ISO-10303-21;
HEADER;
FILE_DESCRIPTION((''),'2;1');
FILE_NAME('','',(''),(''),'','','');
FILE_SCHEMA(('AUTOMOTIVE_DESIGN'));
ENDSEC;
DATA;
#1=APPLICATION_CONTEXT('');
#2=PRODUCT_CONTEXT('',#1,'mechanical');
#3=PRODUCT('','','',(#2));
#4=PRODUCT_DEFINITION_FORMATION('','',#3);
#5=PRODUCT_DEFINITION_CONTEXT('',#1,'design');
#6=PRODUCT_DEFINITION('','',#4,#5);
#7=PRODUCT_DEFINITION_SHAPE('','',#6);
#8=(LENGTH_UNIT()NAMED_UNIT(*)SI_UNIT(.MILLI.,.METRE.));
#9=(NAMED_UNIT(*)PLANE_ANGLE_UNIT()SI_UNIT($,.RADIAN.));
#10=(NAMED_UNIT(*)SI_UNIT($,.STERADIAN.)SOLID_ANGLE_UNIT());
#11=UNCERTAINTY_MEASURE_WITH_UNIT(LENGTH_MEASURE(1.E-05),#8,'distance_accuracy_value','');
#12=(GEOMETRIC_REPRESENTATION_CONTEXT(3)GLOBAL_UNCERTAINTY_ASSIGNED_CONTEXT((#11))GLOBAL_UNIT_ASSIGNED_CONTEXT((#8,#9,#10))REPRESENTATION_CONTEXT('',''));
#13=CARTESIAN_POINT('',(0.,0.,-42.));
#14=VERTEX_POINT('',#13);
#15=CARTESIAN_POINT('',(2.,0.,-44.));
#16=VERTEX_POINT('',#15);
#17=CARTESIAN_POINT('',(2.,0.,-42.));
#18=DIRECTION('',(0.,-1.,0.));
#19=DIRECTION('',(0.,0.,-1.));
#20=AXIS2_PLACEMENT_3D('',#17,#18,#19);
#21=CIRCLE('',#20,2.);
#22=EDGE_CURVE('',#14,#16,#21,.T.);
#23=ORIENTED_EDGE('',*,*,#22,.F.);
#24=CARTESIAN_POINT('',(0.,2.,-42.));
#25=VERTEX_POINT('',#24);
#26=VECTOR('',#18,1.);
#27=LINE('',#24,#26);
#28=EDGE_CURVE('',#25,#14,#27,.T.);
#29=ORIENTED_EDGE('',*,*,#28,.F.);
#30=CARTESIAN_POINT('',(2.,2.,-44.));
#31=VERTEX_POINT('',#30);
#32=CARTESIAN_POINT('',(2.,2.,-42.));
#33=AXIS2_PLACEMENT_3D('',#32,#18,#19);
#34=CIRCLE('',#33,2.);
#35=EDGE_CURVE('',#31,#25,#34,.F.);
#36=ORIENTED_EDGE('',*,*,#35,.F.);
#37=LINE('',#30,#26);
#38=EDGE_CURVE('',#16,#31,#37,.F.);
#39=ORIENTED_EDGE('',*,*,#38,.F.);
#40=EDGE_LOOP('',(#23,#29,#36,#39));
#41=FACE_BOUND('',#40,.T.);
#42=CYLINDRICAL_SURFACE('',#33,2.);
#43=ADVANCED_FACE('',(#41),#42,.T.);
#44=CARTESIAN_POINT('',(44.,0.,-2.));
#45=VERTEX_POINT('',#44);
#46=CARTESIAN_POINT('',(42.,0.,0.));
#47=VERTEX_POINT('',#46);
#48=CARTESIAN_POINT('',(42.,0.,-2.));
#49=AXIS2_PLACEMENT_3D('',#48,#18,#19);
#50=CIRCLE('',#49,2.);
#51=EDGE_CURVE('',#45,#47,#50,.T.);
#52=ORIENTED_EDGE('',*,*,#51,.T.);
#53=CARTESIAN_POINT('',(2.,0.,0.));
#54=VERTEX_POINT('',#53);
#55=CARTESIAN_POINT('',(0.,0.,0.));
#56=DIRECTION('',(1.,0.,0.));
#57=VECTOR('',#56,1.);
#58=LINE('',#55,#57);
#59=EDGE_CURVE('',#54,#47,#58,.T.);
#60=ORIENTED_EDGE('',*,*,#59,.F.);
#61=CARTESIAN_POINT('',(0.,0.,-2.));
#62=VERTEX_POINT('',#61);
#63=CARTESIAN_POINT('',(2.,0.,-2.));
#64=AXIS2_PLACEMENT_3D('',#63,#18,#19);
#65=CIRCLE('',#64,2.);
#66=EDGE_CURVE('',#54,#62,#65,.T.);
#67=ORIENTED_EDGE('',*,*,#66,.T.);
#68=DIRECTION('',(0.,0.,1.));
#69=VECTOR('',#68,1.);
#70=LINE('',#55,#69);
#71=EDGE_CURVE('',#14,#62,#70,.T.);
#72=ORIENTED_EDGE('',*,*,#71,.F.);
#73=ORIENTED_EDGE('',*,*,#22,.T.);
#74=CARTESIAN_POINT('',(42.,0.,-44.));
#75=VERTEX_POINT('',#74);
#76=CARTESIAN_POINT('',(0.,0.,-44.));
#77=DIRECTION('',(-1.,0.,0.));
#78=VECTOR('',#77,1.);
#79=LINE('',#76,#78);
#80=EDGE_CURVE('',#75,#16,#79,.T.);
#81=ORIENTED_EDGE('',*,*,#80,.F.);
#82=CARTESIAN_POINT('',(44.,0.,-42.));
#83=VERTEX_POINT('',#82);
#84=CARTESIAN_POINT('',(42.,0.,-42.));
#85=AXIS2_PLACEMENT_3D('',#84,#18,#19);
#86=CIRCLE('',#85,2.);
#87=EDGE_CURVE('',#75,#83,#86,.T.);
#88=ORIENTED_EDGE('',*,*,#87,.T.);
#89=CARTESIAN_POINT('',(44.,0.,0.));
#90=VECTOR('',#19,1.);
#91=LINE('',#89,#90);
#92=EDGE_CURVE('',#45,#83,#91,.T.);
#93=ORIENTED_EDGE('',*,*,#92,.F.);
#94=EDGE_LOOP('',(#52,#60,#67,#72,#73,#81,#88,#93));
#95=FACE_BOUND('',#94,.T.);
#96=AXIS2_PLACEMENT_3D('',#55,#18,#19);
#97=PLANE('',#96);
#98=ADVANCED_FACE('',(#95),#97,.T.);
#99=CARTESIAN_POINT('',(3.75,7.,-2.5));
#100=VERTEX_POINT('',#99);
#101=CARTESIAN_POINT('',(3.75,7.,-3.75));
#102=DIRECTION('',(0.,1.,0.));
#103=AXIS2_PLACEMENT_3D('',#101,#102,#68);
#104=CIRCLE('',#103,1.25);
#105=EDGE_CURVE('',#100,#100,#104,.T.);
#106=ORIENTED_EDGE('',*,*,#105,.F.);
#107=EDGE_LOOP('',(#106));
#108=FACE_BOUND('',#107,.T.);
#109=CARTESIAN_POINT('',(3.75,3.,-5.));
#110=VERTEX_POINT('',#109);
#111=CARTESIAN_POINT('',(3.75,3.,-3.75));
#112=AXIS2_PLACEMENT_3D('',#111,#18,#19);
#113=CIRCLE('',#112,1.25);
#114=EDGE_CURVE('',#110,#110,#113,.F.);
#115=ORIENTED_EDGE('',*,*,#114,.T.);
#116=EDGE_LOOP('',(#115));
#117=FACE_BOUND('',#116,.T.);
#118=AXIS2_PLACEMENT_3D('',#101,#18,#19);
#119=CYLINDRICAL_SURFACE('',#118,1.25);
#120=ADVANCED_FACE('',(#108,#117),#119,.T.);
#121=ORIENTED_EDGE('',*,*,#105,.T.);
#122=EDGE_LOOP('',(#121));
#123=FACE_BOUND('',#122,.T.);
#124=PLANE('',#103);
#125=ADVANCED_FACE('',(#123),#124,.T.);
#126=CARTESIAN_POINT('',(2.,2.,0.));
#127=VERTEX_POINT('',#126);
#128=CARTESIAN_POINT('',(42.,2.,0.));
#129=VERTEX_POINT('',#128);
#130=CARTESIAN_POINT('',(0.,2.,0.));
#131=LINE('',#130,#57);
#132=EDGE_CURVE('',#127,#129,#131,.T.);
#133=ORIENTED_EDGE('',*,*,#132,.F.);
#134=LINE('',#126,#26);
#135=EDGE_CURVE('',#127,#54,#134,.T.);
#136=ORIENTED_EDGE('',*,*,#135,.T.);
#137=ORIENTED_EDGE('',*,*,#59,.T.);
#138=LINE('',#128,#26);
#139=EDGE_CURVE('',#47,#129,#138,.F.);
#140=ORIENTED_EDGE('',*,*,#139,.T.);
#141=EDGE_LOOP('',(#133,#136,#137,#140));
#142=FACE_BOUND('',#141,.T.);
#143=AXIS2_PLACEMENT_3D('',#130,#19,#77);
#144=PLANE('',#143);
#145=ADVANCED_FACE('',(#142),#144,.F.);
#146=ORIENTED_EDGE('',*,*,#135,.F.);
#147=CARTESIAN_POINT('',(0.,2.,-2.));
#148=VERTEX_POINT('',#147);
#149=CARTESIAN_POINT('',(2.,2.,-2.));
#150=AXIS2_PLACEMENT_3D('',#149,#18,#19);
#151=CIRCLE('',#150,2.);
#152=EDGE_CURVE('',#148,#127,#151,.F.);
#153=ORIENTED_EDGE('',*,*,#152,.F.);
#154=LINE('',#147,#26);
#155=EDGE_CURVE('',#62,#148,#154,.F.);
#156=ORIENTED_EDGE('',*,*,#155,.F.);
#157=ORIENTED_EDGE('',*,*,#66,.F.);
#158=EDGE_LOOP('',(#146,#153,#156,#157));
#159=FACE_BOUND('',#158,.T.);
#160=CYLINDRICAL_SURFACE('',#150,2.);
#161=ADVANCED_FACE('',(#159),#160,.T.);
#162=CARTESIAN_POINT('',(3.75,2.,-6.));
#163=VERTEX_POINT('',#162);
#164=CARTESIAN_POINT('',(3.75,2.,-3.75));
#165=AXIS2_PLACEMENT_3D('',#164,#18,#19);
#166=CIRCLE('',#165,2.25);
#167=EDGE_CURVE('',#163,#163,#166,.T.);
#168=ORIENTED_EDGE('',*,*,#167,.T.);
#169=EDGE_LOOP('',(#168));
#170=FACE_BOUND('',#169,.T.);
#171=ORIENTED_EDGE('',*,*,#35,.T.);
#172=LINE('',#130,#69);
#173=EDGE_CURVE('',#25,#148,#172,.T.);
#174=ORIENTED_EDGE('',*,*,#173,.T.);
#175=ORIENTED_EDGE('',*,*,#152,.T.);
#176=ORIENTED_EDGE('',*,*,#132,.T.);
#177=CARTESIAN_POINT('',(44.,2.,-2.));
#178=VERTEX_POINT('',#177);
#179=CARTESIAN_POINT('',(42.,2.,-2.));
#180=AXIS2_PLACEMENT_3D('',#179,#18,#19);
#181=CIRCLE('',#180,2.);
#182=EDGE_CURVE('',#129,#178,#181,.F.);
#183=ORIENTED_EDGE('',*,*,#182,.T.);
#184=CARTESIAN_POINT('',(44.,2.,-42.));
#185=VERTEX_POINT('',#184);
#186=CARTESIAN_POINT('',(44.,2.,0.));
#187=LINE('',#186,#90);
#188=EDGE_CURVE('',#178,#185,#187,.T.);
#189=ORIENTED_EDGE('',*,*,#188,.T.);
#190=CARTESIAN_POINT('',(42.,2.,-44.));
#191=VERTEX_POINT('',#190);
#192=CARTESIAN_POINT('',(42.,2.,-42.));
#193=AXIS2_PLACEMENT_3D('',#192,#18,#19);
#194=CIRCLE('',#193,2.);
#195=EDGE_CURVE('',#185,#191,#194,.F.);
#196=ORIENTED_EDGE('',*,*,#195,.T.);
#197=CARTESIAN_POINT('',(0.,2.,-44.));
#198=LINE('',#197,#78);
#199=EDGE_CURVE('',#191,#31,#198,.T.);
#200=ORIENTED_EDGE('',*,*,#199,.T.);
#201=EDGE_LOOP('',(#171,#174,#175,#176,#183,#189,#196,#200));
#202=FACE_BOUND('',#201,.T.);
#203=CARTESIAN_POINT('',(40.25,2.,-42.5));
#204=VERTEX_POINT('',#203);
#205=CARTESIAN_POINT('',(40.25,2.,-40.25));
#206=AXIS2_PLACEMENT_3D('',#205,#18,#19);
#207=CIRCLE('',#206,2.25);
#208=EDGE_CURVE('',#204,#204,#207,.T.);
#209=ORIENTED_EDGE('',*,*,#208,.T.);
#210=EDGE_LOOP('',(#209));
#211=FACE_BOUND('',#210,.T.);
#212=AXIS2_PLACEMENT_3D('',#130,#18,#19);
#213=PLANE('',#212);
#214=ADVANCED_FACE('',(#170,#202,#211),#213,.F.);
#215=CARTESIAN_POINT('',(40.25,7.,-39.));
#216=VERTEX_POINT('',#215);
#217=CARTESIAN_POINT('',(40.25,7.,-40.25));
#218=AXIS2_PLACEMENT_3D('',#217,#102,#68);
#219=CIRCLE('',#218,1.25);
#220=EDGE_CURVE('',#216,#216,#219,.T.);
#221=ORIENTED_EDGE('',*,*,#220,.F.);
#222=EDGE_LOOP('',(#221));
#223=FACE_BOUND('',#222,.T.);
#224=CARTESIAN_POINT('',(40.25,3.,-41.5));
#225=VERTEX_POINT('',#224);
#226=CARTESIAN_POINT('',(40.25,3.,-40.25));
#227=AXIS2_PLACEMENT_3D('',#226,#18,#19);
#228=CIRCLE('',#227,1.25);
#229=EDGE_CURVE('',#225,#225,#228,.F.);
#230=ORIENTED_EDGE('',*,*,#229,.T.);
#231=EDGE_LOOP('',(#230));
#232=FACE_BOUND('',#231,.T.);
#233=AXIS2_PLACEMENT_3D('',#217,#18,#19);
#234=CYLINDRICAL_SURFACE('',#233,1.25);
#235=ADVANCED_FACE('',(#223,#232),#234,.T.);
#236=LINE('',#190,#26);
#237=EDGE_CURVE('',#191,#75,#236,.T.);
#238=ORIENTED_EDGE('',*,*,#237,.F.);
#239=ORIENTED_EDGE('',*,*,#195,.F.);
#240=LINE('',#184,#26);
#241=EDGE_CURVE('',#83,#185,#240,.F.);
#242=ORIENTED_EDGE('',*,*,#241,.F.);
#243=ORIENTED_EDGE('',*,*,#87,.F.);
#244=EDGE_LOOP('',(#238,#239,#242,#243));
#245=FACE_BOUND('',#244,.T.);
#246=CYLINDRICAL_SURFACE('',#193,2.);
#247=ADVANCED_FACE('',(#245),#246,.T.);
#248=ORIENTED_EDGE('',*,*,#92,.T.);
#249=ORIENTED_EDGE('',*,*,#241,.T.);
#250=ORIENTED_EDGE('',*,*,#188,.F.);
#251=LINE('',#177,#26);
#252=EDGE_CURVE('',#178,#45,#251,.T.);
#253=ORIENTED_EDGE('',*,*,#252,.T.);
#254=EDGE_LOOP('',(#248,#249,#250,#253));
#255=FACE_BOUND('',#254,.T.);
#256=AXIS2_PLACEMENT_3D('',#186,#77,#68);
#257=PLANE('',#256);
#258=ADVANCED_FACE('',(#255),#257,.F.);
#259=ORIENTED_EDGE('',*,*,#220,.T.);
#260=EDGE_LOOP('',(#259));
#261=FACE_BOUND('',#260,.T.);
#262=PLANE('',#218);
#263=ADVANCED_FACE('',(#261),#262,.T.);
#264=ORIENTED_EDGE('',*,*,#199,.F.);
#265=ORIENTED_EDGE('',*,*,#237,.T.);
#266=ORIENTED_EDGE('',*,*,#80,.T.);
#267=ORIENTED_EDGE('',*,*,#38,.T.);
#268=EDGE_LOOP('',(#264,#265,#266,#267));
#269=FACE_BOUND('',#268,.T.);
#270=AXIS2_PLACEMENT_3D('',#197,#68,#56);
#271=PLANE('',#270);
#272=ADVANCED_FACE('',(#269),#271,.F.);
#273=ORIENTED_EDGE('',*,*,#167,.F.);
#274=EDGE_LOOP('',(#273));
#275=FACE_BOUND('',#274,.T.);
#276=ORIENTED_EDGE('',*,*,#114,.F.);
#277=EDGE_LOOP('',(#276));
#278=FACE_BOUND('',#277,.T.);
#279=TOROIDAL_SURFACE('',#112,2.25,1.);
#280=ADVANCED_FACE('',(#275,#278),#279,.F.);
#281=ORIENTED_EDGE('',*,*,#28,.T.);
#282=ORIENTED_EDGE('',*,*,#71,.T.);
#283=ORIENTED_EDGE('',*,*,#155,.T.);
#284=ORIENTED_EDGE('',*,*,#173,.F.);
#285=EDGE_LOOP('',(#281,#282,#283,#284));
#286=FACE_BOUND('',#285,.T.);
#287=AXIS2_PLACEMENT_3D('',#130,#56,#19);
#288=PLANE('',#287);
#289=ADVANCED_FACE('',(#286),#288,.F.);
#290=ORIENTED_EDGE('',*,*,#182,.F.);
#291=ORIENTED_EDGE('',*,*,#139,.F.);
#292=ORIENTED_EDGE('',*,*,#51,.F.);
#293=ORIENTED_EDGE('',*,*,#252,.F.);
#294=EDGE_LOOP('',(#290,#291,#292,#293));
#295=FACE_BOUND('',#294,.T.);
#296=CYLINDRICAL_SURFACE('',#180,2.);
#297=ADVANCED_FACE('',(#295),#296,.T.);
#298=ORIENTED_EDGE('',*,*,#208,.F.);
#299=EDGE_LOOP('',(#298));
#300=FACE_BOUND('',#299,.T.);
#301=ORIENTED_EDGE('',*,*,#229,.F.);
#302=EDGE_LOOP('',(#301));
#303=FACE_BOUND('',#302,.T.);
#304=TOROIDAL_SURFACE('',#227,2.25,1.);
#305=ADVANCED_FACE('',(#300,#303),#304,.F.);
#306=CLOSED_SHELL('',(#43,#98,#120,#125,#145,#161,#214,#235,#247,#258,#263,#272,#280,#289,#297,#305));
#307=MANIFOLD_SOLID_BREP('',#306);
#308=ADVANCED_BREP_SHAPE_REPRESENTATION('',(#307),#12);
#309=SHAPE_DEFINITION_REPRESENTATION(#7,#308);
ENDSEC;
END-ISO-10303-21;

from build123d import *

# Parameters (mm, degrees)
SKETCH1_W           = 44
SKETCH1_H           = 44
BOSS_EXTRUDE1_DEPTH = 2
SKETCH2_R           = 1.25
BOSS_EXTRUDE4_DEPTH = 5
FILLET4_R           = 2
FILLET5_R           = 1


with BuildPart() as part:
    # Sketch1 → Boss-Extrude1 (new body)
    with BuildSketch(Plane(origin=(0, 0, 0), x_dir=(1, 0, 0), z_dir=(0, 1, 0))):
        with Locations((22, 22)):
            Rectangle(SKETCH1_W, SKETCH1_H)
    extrude(amount=BOSS_EXTRUDE1_DEPTH)

    # Sketch2 → Boss-Extrude4 (add)
    with BuildSketch(Plane(origin=(0, 2, 0), x_dir=(1, 0, 0), z_dir=(0, 1, 0))):
        with Locations(Location((3.75, 3.75, 0), (0, 0, 90))):
            Circle(SKETCH2_R)
        with Locations(Location((40.25, 40.25, 0), (0, 0, 90))):
            Circle(SKETCH2_R)
    extrude(amount=BOSS_EXTRUDE4_DEPTH)

    # Fillet4
    fillet4_edges = [part.edges().sort_by_distance(p)[0] for p in [
        (0, 1, -44),
        (44, 1, -44),
        (44, 1, 0),
        (0, 1, 0),
    ]]
    fillet(fillet4_edges, radius=FILLET4_R)

    # Fillet5
    fillet5_edges = [part.edges().sort_by_distance(p)[0] for p in [
        (40.25, 2, -39),
        (3.75, 2, -2.5),
    ]]
    fillet(fillet5_edges, radius=FILLET5_R)


solid = part.part
